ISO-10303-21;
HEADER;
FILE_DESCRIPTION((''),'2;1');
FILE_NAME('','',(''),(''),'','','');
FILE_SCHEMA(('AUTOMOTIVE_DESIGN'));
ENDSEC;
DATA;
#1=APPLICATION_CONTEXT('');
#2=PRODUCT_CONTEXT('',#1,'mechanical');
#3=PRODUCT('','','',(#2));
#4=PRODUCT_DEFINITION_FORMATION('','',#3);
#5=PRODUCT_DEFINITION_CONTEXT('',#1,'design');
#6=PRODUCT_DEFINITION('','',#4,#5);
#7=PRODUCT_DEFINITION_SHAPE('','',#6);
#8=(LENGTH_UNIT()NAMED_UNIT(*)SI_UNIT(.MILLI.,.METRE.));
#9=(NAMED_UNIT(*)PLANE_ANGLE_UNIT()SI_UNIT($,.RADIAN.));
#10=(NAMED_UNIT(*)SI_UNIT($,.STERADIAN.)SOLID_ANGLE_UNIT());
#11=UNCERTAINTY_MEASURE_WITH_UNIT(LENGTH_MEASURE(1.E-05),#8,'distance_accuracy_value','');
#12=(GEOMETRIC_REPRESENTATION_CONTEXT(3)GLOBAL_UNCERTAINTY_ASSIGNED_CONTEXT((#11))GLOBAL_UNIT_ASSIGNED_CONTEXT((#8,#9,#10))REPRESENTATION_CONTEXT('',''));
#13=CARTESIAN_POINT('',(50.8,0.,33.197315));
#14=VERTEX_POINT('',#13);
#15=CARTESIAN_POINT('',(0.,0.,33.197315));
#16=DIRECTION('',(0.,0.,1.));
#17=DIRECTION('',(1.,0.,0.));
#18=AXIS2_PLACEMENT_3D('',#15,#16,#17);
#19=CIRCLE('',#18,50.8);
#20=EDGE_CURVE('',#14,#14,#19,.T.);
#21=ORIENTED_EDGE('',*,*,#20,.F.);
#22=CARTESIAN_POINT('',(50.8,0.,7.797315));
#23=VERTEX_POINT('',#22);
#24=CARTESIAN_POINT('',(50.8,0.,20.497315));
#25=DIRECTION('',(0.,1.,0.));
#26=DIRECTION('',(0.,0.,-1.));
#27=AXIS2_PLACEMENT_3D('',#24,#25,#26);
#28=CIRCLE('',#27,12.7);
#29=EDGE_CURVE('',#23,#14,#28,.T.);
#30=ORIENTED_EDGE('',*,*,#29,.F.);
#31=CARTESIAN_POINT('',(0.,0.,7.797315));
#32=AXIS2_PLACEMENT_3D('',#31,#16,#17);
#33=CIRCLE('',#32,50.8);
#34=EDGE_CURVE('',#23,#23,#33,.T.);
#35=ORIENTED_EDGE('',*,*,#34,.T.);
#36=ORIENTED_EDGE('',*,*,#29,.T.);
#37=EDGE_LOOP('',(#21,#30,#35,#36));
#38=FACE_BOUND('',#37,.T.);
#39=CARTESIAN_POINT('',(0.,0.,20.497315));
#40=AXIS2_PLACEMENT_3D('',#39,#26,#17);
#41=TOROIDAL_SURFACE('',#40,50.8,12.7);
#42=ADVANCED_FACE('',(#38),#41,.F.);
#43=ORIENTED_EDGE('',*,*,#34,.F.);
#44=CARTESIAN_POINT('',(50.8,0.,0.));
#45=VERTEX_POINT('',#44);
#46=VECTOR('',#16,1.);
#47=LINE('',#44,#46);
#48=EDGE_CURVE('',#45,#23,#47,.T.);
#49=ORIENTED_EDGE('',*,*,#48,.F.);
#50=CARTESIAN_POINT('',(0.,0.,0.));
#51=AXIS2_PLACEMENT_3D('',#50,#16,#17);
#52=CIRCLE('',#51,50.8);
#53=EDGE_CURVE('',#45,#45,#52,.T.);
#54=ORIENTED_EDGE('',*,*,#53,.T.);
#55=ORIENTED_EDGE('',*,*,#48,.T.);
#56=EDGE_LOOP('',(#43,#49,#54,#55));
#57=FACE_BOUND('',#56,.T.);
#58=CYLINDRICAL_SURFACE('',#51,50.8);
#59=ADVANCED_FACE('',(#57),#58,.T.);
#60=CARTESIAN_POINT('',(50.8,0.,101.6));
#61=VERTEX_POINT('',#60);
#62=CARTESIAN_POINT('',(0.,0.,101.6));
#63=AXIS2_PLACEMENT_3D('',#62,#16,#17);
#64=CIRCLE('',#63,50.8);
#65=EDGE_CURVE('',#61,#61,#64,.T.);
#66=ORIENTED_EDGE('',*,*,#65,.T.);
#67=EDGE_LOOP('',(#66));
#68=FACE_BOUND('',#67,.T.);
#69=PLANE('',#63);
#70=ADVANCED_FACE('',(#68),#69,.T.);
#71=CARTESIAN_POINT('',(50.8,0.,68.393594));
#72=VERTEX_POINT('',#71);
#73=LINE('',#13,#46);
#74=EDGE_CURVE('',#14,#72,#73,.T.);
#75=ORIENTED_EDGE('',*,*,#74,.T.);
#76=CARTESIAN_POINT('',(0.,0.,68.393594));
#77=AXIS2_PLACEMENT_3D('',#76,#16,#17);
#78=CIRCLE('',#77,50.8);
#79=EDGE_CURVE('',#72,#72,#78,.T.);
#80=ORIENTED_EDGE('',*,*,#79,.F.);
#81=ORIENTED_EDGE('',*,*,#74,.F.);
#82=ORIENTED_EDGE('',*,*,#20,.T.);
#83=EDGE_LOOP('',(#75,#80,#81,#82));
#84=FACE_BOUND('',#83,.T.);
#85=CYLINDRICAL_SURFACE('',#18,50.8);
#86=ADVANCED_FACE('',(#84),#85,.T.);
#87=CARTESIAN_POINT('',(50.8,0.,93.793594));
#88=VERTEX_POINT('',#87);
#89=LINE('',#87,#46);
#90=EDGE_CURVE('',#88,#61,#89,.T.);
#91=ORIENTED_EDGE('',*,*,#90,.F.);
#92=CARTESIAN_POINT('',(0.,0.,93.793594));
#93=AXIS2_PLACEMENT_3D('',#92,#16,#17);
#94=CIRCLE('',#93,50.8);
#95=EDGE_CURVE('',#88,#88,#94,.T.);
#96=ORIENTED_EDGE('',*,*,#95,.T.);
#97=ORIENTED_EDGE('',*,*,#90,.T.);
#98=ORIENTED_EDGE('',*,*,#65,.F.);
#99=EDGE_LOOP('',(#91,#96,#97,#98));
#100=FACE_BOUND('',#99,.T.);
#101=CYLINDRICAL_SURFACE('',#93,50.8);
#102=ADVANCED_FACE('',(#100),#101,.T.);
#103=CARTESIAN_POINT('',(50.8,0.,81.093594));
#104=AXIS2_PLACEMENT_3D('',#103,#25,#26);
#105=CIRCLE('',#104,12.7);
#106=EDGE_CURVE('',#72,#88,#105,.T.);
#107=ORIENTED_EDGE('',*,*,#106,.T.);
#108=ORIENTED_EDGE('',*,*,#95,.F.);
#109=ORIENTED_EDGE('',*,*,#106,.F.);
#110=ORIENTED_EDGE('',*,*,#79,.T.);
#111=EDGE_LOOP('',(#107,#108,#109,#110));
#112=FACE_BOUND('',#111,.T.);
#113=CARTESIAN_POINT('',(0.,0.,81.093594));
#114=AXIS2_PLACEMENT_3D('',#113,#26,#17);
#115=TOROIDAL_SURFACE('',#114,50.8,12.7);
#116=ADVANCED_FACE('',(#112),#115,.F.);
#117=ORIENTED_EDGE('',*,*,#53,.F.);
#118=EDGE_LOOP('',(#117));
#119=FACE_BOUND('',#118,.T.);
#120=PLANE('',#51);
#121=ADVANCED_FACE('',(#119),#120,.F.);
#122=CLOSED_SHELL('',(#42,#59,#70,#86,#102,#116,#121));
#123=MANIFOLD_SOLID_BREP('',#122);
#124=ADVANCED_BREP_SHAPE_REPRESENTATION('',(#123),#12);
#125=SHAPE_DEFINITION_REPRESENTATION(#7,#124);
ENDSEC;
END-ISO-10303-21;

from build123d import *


with BuildPart() as f1:
    # F0 (on Front) → F1 (revolve)
    with BuildSketch(Plane.XZ):
        with BuildLine():
            Line((0, 101.6), (0, 0))
            Line((0, 0), (50.8, 0))
            Line((50.8, 0), (50.8, 7.797315))
            ThreePointArc((50.8, 7.797315), (38.1, 20.497315), (50.8, 33.197315))
            Line((50.8, 33.197315), (50.8, 68.393594))
            ThreePointArc((50.8, 68.393594), (38.1, 81.093594), (50.8, 93.793594))
            Line((50.8, 93.793594), (50.8, 101.6))
            Line((50.8, 101.6), (0, 101.6))
        make_face()
    revolve(axis=Axis((0, 0, 50.8), (0, 0, 1)))


solid = f1.part
